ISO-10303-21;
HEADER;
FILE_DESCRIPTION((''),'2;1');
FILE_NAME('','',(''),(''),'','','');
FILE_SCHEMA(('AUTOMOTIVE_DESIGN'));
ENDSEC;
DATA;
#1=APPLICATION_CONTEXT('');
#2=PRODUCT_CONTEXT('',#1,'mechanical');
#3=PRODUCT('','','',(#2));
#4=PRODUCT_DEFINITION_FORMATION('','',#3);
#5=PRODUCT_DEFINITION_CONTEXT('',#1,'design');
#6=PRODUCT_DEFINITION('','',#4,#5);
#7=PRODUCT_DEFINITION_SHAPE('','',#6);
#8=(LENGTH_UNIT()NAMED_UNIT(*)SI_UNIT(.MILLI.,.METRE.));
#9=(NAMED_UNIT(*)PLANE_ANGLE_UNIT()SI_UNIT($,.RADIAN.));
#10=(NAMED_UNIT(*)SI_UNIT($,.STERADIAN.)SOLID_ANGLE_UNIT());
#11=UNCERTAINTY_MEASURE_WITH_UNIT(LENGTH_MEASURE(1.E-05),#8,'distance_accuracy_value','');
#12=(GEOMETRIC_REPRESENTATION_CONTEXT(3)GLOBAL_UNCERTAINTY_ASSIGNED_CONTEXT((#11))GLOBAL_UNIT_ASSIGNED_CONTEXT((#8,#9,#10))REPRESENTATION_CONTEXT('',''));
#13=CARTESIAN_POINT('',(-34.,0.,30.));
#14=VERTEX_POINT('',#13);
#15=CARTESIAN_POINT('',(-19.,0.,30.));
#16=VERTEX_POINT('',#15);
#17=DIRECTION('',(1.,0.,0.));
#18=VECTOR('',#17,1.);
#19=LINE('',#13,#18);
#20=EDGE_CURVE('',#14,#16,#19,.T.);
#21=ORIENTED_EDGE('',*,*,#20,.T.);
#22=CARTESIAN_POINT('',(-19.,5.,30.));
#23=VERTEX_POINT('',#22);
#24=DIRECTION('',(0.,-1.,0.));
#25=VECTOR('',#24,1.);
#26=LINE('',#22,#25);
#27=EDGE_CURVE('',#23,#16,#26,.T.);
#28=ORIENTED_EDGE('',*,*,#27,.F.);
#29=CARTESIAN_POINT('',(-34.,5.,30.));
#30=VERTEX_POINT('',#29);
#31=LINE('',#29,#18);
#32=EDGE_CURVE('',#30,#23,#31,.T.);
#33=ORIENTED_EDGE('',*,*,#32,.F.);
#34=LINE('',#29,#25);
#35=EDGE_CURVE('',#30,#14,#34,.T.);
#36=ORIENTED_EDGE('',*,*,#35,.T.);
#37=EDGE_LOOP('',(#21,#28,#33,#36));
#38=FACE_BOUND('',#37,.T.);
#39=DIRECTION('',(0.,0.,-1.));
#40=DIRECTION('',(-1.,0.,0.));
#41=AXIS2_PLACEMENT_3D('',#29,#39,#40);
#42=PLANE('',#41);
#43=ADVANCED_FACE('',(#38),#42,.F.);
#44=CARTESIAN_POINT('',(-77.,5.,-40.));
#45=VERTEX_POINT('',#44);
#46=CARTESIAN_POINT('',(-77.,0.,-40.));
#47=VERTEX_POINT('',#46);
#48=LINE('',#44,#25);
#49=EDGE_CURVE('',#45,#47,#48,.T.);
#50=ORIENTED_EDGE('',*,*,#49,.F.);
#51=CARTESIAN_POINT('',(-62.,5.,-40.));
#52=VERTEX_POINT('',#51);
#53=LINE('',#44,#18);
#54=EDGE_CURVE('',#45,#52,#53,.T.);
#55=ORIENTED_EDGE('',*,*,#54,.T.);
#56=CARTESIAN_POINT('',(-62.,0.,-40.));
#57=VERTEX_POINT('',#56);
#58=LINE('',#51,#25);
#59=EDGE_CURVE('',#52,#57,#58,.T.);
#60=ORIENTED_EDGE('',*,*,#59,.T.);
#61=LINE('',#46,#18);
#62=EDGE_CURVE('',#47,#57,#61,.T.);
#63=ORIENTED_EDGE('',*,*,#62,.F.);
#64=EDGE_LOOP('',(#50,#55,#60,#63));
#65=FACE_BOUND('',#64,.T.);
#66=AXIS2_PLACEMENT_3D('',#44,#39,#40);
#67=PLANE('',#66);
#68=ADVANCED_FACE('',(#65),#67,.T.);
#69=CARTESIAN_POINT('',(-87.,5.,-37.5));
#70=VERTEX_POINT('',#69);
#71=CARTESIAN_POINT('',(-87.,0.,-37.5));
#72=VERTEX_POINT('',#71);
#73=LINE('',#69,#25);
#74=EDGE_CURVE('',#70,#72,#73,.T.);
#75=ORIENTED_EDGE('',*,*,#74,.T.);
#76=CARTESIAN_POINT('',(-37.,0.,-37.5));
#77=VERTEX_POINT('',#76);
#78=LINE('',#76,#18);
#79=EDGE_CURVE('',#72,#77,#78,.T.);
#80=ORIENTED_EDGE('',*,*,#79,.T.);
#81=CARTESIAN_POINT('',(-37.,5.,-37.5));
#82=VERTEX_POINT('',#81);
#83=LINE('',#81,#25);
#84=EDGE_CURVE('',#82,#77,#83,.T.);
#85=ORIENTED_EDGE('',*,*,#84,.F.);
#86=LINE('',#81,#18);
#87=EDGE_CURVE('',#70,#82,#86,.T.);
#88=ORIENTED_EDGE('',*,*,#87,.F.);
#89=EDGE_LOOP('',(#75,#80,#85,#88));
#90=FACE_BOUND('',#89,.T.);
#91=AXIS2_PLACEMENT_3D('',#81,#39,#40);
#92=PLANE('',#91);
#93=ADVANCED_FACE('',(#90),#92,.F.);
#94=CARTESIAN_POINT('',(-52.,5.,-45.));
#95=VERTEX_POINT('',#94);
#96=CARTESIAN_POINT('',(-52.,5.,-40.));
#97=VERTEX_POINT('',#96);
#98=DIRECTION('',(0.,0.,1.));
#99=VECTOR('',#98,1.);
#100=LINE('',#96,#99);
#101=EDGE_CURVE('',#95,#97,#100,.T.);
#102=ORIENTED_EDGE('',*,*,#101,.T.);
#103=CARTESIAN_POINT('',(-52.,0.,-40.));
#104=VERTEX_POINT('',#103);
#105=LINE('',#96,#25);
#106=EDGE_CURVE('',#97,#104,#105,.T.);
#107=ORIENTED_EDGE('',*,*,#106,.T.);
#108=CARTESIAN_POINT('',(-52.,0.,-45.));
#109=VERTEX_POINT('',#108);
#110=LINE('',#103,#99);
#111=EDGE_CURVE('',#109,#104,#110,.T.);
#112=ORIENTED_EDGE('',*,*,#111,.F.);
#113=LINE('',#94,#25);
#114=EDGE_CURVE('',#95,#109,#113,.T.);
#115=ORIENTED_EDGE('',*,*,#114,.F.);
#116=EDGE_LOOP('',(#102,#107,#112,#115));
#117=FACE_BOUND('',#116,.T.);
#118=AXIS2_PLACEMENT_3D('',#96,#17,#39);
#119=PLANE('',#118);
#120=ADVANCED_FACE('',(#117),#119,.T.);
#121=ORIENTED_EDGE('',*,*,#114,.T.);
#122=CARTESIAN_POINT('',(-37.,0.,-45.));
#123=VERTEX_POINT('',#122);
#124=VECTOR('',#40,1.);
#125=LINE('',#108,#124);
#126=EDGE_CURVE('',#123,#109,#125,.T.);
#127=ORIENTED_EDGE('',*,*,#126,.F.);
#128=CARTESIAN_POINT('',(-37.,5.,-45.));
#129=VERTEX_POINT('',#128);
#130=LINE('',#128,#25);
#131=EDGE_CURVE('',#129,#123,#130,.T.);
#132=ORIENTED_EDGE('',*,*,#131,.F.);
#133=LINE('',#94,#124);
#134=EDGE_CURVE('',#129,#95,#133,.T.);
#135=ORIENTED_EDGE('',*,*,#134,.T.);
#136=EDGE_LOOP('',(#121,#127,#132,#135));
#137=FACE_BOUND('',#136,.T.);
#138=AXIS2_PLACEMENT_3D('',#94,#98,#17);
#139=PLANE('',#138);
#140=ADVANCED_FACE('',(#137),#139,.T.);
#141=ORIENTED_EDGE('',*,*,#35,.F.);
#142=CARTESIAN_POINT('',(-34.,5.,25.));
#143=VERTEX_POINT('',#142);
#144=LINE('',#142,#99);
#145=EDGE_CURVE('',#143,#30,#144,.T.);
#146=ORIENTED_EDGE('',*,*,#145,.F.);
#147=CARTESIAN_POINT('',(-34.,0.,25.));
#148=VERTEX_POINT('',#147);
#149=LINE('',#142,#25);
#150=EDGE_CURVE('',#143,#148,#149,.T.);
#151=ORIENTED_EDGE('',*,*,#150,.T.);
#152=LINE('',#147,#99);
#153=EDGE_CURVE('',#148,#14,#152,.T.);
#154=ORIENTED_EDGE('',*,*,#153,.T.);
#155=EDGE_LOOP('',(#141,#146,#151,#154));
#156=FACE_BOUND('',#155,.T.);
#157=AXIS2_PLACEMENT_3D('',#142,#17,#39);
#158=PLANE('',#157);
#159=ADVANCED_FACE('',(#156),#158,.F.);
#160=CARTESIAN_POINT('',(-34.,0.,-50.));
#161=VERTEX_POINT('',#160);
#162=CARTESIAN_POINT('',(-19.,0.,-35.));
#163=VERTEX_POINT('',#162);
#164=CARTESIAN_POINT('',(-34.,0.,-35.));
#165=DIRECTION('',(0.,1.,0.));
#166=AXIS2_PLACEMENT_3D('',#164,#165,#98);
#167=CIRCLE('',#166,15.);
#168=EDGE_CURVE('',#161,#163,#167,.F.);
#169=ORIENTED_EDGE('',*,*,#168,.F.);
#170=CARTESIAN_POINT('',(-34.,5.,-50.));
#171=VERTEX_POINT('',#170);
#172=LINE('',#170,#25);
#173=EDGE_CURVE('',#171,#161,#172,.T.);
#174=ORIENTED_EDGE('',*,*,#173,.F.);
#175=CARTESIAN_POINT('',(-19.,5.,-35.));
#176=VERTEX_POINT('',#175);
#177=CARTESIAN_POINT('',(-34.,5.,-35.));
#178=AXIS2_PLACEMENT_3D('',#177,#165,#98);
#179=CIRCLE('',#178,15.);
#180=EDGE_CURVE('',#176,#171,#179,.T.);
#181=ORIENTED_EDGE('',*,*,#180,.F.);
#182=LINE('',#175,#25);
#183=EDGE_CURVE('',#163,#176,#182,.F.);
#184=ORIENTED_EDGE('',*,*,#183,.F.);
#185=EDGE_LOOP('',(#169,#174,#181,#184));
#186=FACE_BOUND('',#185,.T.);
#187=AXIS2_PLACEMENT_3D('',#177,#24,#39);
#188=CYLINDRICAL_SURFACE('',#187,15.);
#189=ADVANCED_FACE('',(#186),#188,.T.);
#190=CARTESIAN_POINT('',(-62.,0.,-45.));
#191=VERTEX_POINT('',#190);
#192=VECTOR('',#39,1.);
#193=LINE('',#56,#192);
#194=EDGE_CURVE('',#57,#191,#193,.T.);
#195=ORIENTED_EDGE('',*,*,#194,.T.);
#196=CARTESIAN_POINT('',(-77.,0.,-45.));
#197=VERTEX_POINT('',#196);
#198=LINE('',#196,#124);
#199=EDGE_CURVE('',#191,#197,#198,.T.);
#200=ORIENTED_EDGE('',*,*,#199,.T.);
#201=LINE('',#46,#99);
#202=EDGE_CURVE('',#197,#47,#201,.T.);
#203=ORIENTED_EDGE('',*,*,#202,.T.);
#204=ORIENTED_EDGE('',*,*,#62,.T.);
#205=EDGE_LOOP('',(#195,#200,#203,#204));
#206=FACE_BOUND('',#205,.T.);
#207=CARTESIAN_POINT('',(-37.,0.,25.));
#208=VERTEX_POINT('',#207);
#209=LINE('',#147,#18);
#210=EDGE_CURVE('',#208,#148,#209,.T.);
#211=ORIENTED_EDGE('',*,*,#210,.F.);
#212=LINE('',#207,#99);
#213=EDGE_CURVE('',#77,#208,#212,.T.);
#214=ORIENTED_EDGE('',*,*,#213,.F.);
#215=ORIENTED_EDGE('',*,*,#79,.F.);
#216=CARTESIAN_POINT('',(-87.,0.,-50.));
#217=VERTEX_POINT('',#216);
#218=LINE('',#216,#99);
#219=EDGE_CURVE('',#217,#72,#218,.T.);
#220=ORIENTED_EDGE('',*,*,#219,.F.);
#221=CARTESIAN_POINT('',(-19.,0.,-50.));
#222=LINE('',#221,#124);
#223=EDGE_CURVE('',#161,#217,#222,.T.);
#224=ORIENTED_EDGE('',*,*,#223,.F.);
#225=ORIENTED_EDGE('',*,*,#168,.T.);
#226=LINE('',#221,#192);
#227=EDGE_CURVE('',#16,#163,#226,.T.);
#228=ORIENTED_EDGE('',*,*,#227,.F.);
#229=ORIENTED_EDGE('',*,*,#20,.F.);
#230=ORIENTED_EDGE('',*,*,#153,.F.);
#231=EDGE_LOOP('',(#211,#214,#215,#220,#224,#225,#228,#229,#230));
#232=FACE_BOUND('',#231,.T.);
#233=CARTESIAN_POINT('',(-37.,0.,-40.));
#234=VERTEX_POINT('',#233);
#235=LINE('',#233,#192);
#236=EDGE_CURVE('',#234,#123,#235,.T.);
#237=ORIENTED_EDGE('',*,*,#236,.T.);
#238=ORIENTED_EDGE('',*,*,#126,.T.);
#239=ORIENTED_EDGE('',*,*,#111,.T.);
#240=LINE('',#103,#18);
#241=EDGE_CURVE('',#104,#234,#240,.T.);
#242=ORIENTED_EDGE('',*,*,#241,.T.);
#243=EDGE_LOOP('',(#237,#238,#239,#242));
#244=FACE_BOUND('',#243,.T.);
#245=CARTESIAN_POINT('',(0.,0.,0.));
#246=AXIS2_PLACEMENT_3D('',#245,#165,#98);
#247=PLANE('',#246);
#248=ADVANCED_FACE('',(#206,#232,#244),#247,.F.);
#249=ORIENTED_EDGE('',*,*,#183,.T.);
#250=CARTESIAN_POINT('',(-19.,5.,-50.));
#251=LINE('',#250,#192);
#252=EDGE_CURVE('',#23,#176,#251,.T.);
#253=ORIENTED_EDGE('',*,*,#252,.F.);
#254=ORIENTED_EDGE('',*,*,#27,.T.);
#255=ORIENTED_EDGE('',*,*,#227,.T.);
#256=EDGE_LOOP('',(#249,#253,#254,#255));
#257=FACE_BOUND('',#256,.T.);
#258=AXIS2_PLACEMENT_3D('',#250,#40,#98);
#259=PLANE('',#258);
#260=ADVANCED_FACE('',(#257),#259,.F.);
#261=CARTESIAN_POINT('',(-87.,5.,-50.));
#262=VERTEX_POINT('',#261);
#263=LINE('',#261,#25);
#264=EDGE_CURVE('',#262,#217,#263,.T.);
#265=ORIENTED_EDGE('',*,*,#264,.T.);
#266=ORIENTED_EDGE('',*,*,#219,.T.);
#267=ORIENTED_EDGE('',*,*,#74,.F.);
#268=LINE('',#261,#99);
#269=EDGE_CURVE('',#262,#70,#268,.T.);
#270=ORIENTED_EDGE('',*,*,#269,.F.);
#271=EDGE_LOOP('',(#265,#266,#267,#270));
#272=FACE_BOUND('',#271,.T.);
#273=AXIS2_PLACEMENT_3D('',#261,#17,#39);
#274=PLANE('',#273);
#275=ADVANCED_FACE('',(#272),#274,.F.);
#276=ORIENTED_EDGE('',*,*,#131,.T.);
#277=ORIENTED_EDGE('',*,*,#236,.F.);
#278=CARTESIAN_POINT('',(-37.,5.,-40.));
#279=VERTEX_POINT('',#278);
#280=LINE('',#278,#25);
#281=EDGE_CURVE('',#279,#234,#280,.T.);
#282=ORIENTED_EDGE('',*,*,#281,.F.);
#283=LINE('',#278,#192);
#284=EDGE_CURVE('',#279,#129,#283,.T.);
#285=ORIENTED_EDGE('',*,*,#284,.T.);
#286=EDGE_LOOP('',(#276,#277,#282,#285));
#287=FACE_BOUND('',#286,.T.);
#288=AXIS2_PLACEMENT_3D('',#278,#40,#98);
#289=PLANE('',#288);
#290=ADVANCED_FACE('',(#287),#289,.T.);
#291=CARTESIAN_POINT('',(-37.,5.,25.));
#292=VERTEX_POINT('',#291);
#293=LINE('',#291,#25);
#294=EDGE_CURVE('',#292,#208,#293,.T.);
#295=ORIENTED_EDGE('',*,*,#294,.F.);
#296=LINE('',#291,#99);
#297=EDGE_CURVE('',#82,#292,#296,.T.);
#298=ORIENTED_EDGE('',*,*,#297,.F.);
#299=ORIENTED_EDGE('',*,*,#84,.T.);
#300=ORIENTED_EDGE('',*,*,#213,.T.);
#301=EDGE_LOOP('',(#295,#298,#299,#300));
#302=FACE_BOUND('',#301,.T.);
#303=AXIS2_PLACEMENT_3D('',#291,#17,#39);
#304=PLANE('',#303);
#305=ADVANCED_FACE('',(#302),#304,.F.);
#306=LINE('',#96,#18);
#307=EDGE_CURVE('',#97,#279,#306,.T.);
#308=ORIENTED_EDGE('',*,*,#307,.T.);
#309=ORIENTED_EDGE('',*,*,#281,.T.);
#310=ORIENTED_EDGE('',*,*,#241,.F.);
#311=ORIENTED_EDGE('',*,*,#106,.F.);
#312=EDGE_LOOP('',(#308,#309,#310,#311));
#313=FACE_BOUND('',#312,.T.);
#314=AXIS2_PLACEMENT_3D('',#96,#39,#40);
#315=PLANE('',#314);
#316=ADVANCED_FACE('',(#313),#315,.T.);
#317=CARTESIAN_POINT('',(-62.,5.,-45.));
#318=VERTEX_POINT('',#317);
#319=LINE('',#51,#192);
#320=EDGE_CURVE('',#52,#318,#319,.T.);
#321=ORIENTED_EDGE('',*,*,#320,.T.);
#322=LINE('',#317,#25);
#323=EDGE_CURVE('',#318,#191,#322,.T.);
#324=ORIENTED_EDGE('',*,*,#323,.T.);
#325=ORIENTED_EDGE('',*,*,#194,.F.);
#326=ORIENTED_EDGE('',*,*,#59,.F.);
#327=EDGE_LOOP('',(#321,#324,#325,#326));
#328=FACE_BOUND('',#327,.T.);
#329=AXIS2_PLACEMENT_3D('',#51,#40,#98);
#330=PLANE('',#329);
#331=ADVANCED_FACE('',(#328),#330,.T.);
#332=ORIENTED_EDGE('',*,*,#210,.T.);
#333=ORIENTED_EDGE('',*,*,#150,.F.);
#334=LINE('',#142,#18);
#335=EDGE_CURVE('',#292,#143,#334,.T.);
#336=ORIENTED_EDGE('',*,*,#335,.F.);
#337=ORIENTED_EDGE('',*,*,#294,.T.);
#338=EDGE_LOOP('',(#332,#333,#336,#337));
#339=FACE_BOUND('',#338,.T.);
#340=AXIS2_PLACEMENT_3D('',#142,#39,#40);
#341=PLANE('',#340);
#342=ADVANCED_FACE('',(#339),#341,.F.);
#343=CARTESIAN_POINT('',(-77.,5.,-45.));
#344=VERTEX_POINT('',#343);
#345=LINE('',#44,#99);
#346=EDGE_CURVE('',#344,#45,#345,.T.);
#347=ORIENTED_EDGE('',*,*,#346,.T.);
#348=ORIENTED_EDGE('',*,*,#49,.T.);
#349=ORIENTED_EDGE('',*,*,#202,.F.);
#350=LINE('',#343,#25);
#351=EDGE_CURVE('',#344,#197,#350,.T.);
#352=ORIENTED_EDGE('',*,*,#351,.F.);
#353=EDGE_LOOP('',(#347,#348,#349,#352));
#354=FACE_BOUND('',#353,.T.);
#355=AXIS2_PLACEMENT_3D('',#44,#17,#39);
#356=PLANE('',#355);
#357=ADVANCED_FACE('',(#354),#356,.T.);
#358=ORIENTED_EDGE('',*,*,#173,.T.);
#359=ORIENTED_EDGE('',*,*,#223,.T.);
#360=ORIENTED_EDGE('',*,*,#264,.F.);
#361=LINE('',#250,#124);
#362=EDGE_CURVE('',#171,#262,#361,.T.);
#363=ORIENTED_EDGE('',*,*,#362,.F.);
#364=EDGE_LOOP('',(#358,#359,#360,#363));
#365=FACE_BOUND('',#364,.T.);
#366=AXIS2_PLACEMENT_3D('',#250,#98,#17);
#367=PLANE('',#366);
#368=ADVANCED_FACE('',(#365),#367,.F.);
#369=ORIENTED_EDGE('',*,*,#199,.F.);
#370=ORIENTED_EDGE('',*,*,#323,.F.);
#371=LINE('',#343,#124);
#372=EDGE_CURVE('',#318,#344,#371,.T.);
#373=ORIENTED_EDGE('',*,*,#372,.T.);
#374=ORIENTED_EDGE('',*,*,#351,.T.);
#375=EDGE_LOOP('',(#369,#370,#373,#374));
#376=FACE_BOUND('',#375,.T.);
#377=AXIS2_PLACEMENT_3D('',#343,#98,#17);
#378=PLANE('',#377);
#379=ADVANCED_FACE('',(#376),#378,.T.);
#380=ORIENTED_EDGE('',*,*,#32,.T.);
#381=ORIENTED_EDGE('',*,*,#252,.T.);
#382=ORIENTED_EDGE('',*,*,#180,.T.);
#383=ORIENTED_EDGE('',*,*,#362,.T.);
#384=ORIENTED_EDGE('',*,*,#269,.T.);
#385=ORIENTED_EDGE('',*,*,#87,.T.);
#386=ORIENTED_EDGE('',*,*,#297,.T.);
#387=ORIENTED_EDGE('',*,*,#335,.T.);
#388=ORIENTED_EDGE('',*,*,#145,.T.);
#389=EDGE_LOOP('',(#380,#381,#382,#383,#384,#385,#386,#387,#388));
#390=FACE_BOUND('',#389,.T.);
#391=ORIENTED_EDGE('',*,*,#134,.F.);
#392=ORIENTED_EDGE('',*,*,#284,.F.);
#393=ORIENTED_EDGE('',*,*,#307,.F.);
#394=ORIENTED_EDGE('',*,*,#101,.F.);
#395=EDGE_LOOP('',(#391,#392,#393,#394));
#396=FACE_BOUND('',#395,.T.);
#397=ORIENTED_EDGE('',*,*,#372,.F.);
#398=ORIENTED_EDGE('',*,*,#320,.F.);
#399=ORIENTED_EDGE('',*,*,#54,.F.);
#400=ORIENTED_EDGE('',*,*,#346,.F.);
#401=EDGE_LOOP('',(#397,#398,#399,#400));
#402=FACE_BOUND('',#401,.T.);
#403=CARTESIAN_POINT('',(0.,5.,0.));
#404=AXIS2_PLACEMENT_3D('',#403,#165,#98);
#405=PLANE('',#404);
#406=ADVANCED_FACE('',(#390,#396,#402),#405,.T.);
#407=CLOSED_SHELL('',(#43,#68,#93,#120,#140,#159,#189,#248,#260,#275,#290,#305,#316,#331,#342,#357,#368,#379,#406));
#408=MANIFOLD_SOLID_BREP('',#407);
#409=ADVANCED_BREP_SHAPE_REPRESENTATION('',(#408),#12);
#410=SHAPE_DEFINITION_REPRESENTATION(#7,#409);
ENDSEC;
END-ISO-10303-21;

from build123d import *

# Parameters (mm, degrees)
SKETCH1_W           = 15
SKETCH1_H           = 5
BOSS_EXTRUDE1_DEPTH = 5
FILLET3_R           = 15


with BuildPart() as part:
    # Sketch1 → Boss-Extrude1 (new body)
    with BuildSketch(Plane(origin=(0, 0, 0), x_dir=(1, 0, 0), z_dir=(0, 1, 0))):
        Polygon((-34, -25), (-37, -25), (-37, 37.5), (-87, 37.5), (-87, 50), (-19, 50), (-19, -30), (-34, -30), align=None)
        with Locations((-69.5, 42.5)):
            Rectangle(SKETCH1_W, SKETCH1_H, mode=Mode.SUBTRACT)
        with Locations((-44.5, 42.5)):
            Rectangle(SKETCH1_W, SKETCH1_H, mode=Mode.SUBTRACT)
    extrude(amount=BOSS_EXTRUDE1_DEPTH)

    # Fillet3
    fillet3_edges = [part.edges().sort_by_distance(p)[0] for p in [
        (-19, 2.5, -50),
    ]]
    fillet(fillet3_edges, radius=FILLET3_R)


solid = part.part
